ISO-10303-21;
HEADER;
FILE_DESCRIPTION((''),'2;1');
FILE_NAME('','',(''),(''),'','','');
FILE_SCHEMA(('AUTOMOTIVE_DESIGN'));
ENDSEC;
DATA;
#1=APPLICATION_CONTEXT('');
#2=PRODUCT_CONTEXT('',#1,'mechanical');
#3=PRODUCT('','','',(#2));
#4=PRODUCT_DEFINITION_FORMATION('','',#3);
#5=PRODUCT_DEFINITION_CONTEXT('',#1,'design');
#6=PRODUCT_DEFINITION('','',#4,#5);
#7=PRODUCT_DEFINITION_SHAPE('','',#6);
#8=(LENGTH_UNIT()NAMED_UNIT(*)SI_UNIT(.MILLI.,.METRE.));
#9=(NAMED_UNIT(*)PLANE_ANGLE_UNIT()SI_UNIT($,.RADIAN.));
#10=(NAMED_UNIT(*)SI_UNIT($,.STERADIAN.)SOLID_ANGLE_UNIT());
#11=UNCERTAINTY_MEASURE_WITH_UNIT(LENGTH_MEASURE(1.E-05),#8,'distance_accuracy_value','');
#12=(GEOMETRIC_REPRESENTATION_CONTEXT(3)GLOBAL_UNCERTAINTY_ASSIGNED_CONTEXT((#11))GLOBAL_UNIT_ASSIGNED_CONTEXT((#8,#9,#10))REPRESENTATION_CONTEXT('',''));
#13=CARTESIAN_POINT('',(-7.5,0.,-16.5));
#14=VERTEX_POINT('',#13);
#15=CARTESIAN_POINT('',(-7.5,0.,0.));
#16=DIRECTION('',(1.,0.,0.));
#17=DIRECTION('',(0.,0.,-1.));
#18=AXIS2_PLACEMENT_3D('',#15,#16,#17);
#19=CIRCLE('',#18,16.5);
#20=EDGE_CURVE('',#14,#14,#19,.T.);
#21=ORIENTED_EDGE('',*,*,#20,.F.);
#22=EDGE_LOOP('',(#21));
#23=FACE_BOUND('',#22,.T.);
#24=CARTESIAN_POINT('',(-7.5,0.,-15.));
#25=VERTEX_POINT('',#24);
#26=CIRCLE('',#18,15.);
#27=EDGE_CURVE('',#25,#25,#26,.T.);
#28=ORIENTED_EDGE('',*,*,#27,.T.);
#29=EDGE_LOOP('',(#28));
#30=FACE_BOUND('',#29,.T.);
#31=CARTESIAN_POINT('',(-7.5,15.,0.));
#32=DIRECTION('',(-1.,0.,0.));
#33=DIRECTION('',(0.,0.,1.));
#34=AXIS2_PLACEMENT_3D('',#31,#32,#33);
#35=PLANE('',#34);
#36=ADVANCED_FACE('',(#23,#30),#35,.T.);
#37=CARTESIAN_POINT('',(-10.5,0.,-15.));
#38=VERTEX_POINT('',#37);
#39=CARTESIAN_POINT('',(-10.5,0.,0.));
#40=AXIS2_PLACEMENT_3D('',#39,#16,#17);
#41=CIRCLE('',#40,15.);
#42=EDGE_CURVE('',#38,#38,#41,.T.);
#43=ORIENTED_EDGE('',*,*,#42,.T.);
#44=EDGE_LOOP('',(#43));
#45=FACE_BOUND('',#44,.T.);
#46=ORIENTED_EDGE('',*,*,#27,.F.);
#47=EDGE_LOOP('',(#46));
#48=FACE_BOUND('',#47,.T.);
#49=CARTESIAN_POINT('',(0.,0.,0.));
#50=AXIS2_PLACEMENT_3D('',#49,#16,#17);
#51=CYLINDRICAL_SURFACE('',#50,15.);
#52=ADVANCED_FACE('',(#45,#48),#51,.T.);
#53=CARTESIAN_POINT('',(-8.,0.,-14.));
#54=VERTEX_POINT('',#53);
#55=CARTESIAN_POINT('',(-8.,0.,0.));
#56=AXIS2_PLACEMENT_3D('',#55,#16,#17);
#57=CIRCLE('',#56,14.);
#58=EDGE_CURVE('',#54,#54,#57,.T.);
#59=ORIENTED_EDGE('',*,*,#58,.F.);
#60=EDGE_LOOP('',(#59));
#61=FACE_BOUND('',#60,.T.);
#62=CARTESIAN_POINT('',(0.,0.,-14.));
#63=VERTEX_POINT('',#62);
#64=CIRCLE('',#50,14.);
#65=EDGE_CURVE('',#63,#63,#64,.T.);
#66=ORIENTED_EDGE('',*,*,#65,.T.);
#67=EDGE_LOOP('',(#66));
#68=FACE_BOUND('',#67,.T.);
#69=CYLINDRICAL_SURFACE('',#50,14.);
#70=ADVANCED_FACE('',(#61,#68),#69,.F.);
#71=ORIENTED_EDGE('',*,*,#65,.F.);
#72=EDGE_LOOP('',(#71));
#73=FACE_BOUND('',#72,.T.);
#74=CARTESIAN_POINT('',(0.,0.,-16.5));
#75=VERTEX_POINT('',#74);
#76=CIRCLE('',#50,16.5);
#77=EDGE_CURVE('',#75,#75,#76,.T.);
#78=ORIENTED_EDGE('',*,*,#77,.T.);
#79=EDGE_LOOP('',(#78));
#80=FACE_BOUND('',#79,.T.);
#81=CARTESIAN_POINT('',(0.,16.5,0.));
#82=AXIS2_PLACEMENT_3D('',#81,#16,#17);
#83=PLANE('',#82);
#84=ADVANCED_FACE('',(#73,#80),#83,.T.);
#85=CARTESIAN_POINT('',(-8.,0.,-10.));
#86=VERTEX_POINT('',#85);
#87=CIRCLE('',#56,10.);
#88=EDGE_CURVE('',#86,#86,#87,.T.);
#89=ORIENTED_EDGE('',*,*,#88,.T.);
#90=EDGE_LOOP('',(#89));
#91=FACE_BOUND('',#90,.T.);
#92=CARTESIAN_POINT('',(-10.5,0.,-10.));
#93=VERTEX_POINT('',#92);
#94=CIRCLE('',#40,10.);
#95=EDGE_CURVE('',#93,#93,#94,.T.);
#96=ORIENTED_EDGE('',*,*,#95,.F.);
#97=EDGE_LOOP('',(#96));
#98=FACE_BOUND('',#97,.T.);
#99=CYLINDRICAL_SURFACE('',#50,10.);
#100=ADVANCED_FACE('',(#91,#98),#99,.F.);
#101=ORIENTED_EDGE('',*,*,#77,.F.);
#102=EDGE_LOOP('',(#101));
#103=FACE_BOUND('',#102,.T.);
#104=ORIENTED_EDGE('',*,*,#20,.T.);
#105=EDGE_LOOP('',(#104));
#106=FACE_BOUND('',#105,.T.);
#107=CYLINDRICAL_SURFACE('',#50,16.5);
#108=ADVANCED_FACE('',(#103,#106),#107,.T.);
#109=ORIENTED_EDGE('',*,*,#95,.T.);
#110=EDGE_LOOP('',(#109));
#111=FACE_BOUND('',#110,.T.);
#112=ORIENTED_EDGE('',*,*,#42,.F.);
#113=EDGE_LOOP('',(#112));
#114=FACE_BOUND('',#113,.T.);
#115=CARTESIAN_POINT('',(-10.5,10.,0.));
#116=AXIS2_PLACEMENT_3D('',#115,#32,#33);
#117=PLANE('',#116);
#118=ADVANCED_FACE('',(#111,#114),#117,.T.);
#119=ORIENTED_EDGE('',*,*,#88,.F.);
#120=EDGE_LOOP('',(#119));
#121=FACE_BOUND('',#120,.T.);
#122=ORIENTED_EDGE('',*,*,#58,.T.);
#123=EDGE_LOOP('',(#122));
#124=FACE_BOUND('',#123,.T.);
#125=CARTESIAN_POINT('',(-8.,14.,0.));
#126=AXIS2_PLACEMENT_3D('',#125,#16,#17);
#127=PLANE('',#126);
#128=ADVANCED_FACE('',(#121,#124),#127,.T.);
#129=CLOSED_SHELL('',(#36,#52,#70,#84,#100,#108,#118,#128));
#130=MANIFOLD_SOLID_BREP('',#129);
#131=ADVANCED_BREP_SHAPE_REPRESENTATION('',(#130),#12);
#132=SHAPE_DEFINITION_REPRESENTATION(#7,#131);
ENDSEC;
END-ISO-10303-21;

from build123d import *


with BuildPart() as part:
    # Эскиз1 → Повернуть1 (revolve)
    with BuildSketch(Plane.XY):
        Polygon((0, 16.5), (0, 14), (-8, 14), (-8, 10), (-10.5, 10), (-10.5, 15), (-7.5, 15), (-7.5, 16.5), align=None)
    revolve(axis=Axis((0, 0, 0), (-1, 0, 0)))


solid = part.part
